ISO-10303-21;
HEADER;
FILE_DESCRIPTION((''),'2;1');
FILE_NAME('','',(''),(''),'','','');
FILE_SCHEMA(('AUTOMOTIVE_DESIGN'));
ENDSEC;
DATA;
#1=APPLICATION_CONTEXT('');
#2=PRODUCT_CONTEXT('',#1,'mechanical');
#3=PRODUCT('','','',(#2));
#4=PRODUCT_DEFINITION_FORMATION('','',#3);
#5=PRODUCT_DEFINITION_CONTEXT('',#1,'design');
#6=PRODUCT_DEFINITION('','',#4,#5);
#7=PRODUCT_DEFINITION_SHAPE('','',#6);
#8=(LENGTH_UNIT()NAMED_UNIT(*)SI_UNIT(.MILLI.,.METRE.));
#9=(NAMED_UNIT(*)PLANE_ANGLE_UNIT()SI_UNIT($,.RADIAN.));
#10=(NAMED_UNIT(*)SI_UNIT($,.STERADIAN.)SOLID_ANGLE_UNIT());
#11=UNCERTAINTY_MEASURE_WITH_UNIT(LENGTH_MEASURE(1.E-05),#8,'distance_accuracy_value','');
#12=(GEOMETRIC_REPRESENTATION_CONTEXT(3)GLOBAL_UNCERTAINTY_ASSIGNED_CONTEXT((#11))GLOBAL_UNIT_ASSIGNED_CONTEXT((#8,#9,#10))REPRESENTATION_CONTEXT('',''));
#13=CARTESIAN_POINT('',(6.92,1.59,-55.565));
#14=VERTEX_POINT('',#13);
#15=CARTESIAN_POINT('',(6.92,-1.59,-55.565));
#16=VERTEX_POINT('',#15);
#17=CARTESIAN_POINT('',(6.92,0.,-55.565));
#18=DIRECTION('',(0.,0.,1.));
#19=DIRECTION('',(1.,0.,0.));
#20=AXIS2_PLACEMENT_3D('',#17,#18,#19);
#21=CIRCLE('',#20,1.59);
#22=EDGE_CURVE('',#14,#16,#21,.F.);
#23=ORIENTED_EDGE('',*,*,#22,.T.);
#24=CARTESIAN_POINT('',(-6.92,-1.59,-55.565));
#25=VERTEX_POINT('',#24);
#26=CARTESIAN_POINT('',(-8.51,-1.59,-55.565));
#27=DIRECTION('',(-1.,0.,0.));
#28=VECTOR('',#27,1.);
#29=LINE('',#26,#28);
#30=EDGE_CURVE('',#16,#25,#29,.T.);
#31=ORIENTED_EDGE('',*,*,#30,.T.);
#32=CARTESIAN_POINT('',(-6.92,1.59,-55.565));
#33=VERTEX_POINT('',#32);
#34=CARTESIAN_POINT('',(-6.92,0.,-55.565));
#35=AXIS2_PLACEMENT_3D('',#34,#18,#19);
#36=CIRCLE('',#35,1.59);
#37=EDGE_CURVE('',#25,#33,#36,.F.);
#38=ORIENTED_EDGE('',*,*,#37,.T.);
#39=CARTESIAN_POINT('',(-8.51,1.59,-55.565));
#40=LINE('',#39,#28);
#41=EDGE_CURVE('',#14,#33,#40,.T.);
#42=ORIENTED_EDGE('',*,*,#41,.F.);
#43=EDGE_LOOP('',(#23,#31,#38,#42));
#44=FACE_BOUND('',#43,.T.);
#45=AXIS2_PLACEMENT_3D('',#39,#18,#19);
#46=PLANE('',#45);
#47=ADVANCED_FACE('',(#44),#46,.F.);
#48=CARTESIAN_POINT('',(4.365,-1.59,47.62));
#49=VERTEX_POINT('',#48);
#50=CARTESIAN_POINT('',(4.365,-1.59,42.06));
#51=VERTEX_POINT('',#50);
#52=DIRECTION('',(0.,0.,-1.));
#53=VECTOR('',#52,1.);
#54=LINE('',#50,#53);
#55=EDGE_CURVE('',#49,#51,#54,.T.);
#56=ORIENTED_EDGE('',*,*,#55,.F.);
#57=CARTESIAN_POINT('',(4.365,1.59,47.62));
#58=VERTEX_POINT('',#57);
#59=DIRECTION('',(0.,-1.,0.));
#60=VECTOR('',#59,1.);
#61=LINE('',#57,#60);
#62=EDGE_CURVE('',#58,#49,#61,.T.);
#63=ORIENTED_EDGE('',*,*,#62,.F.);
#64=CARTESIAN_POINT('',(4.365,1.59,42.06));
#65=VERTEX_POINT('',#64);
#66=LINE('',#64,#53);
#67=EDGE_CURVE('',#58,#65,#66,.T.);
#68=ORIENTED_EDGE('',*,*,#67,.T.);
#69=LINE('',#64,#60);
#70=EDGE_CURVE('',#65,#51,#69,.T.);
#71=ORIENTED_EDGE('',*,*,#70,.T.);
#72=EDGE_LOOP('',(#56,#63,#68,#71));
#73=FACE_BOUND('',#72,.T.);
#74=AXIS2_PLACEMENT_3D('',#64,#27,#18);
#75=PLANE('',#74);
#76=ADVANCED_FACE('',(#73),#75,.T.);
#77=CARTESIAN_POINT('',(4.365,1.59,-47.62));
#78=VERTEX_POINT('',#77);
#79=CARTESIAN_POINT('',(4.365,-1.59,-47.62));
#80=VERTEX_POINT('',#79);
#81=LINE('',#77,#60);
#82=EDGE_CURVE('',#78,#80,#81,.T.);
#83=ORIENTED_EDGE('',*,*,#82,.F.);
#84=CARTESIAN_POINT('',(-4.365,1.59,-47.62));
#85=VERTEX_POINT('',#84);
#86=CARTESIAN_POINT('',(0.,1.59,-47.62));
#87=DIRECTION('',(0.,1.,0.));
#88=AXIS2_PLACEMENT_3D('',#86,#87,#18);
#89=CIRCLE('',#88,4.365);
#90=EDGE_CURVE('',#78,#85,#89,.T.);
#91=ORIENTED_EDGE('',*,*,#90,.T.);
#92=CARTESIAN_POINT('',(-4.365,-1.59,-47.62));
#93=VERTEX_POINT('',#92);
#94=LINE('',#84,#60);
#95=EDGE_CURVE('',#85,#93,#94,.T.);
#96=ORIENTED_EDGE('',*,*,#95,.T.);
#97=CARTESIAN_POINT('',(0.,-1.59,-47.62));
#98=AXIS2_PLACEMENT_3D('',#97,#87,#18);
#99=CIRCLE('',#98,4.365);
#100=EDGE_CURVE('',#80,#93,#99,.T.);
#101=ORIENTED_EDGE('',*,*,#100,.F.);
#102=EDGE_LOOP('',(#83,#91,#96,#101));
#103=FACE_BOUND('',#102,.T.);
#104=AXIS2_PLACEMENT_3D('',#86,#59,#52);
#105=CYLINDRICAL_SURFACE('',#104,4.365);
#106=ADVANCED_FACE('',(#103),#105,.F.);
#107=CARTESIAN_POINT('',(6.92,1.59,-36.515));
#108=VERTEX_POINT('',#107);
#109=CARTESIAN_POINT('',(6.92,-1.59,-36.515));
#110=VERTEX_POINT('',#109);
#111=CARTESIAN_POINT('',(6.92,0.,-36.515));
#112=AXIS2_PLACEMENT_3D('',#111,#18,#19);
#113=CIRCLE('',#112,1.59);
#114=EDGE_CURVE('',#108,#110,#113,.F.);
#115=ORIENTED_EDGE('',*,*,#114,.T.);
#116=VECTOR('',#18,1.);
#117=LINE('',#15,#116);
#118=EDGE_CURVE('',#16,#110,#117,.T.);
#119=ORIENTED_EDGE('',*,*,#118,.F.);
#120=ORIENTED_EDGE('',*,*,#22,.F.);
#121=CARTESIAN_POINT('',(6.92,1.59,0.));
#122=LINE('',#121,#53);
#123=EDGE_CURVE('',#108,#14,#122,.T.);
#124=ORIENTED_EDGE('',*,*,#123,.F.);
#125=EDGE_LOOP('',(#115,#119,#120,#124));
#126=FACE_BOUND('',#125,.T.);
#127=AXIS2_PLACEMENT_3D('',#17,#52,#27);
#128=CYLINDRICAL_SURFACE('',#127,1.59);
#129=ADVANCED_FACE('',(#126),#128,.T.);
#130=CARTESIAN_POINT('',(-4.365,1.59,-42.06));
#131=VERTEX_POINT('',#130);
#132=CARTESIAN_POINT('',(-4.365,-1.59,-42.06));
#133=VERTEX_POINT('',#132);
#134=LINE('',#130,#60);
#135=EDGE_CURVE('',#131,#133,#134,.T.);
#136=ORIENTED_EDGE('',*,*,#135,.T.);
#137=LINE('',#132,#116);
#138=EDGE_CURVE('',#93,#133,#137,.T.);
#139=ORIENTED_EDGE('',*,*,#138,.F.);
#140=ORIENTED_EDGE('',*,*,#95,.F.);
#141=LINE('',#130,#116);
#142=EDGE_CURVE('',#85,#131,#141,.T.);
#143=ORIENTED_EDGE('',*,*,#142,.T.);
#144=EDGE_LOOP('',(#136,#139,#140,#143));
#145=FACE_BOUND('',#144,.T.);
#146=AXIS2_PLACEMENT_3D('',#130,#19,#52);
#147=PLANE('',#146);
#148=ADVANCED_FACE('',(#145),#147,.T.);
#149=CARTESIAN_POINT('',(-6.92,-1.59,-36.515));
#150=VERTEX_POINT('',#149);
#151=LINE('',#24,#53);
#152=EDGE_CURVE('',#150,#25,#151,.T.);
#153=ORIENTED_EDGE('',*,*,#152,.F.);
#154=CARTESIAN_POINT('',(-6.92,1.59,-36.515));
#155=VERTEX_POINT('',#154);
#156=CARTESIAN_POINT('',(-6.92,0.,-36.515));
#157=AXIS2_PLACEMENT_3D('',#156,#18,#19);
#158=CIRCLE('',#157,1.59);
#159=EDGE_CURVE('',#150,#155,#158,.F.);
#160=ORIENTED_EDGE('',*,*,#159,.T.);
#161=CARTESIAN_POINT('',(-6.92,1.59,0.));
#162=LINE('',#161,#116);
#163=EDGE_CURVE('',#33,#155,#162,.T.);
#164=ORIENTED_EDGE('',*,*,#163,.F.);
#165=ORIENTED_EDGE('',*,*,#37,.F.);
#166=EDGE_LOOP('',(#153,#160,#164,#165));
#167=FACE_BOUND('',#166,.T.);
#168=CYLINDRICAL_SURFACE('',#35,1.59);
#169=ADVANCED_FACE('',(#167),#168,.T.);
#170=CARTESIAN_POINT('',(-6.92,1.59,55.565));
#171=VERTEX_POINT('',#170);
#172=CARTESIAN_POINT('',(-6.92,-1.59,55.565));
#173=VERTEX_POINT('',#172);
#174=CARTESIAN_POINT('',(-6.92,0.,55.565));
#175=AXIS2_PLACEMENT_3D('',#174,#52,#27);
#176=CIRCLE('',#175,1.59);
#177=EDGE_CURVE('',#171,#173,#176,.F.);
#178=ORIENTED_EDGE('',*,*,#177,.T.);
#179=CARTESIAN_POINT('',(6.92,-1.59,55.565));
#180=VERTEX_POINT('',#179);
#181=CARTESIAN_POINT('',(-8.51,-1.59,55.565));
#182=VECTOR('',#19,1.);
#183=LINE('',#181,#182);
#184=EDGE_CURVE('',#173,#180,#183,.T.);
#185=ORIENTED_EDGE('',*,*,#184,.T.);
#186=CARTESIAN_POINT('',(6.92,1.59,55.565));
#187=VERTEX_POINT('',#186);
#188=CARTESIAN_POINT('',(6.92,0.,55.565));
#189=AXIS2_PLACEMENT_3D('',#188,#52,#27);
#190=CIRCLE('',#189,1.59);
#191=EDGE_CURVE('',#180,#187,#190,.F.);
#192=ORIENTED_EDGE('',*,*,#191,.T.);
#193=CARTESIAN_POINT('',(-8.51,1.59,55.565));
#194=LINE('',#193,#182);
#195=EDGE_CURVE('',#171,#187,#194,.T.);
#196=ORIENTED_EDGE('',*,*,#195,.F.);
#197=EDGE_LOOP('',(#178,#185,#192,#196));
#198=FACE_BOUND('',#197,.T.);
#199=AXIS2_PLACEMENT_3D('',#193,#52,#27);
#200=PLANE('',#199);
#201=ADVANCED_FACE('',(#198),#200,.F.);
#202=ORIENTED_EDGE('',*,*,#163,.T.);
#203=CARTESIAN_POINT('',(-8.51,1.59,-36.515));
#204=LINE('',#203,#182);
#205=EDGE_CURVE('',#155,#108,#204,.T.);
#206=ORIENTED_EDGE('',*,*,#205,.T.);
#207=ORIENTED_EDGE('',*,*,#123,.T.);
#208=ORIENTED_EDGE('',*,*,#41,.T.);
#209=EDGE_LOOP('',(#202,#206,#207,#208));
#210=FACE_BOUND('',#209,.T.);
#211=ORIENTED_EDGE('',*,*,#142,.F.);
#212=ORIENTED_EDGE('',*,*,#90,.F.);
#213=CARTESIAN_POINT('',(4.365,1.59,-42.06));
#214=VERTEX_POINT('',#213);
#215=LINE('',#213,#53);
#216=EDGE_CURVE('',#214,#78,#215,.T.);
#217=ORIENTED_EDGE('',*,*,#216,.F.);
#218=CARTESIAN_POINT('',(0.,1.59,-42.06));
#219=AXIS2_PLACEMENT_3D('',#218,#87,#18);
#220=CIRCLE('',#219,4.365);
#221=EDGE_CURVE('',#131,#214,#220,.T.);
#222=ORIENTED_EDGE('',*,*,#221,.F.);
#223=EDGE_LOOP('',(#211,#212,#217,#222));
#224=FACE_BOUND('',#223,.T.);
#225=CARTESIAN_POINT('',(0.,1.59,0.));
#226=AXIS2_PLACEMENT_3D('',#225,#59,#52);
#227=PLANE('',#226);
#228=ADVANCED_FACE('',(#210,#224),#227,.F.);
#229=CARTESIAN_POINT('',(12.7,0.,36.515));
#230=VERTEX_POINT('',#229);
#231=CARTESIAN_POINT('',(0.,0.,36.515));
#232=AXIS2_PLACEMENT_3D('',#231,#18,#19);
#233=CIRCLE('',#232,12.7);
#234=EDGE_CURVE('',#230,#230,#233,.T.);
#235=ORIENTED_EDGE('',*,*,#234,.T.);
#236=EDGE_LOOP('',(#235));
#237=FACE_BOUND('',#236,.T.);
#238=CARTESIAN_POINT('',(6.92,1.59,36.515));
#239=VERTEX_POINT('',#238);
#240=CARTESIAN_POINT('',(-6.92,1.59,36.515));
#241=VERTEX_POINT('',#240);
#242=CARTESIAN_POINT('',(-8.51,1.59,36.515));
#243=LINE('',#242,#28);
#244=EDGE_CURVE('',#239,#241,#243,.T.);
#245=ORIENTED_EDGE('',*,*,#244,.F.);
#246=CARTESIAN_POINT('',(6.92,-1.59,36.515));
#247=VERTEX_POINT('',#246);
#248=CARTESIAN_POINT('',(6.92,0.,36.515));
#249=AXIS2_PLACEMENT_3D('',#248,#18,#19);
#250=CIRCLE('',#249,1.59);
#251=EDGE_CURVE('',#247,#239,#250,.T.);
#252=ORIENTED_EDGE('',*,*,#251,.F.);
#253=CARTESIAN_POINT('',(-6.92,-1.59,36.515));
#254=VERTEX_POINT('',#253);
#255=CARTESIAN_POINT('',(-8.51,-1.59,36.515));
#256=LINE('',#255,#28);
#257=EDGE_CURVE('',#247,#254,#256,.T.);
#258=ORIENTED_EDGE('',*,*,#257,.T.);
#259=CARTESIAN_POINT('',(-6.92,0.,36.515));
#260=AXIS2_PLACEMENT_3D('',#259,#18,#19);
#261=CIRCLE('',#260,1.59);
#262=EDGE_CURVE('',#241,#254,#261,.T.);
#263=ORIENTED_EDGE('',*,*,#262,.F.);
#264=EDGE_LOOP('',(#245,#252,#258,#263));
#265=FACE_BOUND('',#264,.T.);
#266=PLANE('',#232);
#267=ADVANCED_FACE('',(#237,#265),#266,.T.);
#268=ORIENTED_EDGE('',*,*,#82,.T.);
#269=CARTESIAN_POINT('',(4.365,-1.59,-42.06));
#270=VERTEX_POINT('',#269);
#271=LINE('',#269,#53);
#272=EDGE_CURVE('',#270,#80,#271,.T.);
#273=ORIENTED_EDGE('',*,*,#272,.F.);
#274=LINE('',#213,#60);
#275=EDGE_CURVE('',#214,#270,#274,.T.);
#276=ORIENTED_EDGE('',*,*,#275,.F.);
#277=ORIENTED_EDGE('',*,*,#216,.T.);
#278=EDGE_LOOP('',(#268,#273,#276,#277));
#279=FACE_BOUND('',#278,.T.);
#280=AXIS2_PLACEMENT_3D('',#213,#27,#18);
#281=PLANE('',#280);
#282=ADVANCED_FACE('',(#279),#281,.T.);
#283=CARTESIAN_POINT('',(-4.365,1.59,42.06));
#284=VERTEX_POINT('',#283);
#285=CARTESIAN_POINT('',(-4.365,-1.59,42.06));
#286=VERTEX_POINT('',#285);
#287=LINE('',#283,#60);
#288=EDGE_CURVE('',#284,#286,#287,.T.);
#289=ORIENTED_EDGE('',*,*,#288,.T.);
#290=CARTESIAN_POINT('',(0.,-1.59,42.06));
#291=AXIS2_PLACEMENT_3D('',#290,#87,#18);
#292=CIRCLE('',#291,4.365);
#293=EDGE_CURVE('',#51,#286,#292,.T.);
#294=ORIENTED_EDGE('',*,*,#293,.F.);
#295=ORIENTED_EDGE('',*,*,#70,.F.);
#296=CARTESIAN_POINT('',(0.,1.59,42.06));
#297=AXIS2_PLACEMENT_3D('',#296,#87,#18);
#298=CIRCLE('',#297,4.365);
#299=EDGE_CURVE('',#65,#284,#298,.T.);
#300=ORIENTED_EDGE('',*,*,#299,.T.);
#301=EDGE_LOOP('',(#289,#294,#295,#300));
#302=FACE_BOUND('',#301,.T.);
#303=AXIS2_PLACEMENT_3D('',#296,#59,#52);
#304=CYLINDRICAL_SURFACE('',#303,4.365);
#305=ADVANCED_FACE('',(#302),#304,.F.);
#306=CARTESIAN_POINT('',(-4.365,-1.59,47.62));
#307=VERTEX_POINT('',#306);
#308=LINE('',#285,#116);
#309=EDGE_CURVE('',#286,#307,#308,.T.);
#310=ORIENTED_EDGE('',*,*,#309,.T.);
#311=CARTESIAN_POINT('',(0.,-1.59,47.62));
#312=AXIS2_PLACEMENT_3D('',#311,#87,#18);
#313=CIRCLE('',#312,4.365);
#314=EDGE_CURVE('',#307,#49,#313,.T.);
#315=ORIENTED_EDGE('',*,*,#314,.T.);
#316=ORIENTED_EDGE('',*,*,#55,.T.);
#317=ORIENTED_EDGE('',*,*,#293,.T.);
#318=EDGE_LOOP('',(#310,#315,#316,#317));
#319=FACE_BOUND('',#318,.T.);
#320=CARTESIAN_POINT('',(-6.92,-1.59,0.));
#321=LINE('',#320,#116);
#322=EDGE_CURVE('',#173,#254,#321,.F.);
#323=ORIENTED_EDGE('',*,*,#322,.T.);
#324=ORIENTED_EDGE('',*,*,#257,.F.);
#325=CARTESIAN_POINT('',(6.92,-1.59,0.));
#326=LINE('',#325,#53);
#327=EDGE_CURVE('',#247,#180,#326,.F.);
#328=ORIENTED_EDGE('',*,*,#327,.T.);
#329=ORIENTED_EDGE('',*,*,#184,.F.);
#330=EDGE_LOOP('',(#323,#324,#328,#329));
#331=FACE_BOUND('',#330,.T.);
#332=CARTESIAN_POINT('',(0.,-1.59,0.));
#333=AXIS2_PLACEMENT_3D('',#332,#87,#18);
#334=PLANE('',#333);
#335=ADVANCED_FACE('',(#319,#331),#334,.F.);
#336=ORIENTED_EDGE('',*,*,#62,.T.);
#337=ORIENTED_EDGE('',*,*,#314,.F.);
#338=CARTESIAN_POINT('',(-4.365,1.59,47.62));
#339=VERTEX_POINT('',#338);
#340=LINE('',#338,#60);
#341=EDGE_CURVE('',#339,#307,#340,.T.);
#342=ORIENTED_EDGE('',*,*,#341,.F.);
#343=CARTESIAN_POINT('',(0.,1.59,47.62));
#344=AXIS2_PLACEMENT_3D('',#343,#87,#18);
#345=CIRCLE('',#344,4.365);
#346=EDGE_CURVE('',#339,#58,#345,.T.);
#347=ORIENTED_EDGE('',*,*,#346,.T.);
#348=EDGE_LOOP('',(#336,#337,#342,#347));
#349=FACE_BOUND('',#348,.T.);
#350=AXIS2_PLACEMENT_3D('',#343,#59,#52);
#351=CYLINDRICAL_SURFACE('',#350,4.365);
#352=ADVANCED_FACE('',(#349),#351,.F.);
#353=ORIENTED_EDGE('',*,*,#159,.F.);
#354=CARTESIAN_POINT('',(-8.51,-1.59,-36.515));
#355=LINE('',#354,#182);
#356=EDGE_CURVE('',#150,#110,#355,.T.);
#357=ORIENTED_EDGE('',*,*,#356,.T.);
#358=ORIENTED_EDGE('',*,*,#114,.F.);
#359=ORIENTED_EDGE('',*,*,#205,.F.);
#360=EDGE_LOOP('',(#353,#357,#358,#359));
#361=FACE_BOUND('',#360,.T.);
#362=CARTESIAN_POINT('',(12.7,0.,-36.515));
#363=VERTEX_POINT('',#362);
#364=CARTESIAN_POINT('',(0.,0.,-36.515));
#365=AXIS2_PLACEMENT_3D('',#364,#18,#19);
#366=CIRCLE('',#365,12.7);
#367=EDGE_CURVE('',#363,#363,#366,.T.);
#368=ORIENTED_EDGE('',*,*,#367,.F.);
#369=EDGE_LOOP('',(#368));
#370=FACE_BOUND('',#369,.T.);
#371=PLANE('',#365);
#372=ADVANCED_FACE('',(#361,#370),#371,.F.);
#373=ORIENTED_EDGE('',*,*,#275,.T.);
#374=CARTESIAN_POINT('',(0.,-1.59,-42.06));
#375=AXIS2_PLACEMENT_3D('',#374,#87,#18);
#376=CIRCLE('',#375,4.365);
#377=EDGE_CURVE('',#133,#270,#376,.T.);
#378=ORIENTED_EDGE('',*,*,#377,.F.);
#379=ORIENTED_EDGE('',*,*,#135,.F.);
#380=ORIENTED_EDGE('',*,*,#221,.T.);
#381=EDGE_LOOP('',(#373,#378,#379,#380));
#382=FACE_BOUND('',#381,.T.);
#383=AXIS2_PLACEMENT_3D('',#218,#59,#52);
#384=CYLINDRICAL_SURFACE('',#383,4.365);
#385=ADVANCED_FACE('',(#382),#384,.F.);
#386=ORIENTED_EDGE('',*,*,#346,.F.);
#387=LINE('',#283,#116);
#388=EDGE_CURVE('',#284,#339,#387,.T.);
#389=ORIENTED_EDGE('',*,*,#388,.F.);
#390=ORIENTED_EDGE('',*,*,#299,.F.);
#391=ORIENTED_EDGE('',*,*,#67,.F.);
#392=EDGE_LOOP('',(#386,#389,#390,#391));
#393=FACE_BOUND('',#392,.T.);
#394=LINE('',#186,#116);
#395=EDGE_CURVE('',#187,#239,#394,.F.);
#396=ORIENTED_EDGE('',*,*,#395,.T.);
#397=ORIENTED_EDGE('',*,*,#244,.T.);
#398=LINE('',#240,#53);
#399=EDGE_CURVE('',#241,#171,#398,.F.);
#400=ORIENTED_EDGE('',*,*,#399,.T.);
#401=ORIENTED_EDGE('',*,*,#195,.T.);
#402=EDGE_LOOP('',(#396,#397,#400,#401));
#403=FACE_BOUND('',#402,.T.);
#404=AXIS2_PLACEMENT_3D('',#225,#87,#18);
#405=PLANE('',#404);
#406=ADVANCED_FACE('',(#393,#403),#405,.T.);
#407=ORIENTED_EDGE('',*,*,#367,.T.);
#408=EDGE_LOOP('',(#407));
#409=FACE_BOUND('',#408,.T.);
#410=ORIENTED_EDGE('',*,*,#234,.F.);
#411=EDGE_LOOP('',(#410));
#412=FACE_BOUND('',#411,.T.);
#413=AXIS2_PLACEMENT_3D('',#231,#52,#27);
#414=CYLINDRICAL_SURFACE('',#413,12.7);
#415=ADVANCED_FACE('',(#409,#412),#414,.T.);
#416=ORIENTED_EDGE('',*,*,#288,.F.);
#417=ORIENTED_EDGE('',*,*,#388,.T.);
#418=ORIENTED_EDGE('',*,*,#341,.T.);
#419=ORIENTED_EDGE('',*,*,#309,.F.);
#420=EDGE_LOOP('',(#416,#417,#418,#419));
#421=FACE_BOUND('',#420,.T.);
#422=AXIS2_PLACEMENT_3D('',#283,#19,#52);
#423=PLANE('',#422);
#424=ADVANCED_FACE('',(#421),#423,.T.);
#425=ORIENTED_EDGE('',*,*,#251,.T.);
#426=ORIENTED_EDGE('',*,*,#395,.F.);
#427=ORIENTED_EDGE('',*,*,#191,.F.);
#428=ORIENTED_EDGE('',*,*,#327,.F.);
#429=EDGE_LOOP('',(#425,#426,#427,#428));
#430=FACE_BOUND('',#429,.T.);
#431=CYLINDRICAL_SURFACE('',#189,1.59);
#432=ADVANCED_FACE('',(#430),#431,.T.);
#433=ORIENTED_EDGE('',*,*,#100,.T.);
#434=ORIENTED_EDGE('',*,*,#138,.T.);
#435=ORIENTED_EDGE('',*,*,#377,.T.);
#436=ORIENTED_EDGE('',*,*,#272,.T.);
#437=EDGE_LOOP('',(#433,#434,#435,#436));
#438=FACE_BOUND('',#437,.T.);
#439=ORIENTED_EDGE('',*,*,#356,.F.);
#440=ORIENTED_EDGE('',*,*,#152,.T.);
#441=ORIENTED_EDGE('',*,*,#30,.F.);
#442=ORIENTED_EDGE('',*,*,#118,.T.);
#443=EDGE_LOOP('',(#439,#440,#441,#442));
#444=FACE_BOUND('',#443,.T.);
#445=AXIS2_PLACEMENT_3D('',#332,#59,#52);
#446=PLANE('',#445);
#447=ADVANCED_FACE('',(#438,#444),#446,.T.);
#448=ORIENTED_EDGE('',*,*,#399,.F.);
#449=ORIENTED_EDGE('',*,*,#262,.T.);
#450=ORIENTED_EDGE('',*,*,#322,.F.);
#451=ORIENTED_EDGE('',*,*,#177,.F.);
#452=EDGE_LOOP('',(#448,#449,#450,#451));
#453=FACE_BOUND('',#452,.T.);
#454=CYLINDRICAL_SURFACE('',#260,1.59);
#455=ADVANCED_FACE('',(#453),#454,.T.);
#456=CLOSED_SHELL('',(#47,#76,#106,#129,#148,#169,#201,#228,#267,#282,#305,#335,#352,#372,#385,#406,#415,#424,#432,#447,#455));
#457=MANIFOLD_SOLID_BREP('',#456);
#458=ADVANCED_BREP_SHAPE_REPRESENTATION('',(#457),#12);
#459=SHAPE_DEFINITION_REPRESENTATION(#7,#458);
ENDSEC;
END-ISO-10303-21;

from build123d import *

# Parameters (mm, degrees)
SKETCH1_R           = 12.7
BOSS_EXTRUDE1_DEPTH = 36.515
SKETCH2_W           = 17.02
SKETCH2_H           = 19.05
BOSS_EXTRUDE2_DEPTH = 1.59
FILLET1_RADIUS      = 1.59
FILLET1_LENGTH      = 19.05
FILLET2_RADIUS      = 1.59
FILLET2_LENGTH      = 19.05
FILLET3_RADIUS      = 1.59
FILLET3_LENGTH      = 19.05
FILLET4_RADIUS      = 1.59
FILLET4_LENGTH      = 19.05


with BuildPart() as part:
    # Sketch1 → Boss-Extrude1 (new, symmetric)
    with BuildSketch(Plane.XY):
        Circle(SKETCH1_R)
    extrude(amount=BOSS_EXTRUDE1_DEPTH, both=True)

    # Sketch2 → Boss-Extrude2 (add, symmetric)
    # profile 1 of 2: a face of its own
    with BuildSketch(Plane(origin=(0, 0, 0), x_dir=(1, 0, 0), z_dir=(0, 1, 0))):
        with Locations((0, 46.04)):
            Rectangle(SKETCH2_W, SKETCH2_H)
        with BuildLine():
            Line((-4.365, 42.06), (-4.365, 47.62))
            ThreePointArc((-4.365, 47.62), (0, 51.985), (4.365, 47.62))
            Line((4.365, 47.62), (4.365, 42.06))
            ThreePointArc((4.365, 42.06), (0, 37.695), (-4.365, 42.06))
        make_face(mode=Mode.SUBTRACT)
    # profile 2 of 2: a face of its own
    with BuildSketch(Plane(origin=(0, 0, 0), x_dir=(1, 0, 0), z_dir=(0, 1, 0))):
        with Locations((0, -46.04)):
            Rectangle(SKETCH2_W, SKETCH2_H)
        with BuildLine():
            Line((4.365, -42.06), (4.365, -47.62))
            ThreePointArc((4.365, -47.62), (0, -51.985), (-4.365, -47.62))
            Line((-4.365, -47.62), (-4.365, -42.06))
            ThreePointArc((-4.365, -42.06), (0, -37.695), (4.365, -42.06))
        make_face(mode=Mode.SUBTRACT)
    extrude(amount=BOSS_EXTRUDE2_DEPTH, both=True)

    # Fillet1: full round fillet: the end face becomes a half cylinder, R = half its width
    fillet1_face = Plane((-8.51, 0, -46.04), x_dir=(0, 0, 1), z_dir=(-1, 0, 0))  # on the end face: x along it, z out of the body
    fillet1_slab = fillet1_face.offset(-FILLET1_RADIUS / 2) * Box(FILLET1_LENGTH, 2 * FILLET1_RADIUS, FILLET1_RADIUS, mode=Mode.PRIVATE)  # the body's end, R deep
    fillet1_round = Plane((-6.92, 0, -46.04), x_dir=(-1, 0, 0), z_dir=(0, 0, 1)) * Cylinder(FILLET1_RADIUS, FILLET1_LENGTH, mode=Mode.PRIVATE)  # its axis R under the face
    add(fillet1_slab - fillet1_round, mode=Mode.SUBTRACT)

    # Fillet2: full round fillet: the end face becomes a half cylinder, R = half its width
    fillet2_face = Plane((8.51, 0, -46.04), x_dir=(0, 0, -1), z_dir=(1, 0, 0))  # on the end face: x along it, z out of the body
    fillet2_slab = fillet2_face.offset(-FILLET2_RADIUS / 2) * Box(FILLET2_LENGTH, 2 * FILLET2_RADIUS, FILLET2_RADIUS, mode=Mode.PRIVATE)  # the body's end, R deep
    fillet2_round = Plane((6.92, 0, -46.04), x_dir=(1, 0, 0), z_dir=(0, 0, -1)) * Cylinder(FILLET2_RADIUS, FILLET2_LENGTH, mode=Mode.PRIVATE)  # its axis R under the face
    add(fillet2_slab - fillet2_round, mode=Mode.SUBTRACT)

    # Fillet3: full round fillet: the end face becomes a half cylinder, R = half its width
    fillet3_face = Plane((8.51, 0, 46.04), x_dir=(0, 0, 1), z_dir=(1, 0, 0))  # on the end face: x along it, z out of the body
    fillet3_slab = fillet3_face.offset(-FILLET3_RADIUS / 2) * Box(FILLET3_LENGTH, 2 * FILLET3_RADIUS, FILLET3_RADIUS, mode=Mode.PRIVATE)  # the body's end, R deep
    fillet3_round = Plane((6.92, 0, 46.04), x_dir=(1, 0, 0), z_dir=(0, 0, 1)) * Cylinder(FILLET3_RADIUS, FILLET3_LENGTH, mode=Mode.PRIVATE)  # its axis R under the face
    add(fillet3_slab - fillet3_round, mode=Mode.SUBTRACT)

    # Fillet4: full round fillet: the end face becomes a half cylinder, R = half its width
    fillet4_face = Plane((-8.51, 0, 46.04), x_dir=(0, 0, -1), z_dir=(-1, 0, 0))  # on the end face: x along it, z out of the body
    fillet4_slab = fillet4_face.offset(-FILLET4_RADIUS / 2) * Box(FILLET4_LENGTH, 2 * FILLET4_RADIUS, FILLET4_RADIUS, mode=Mode.PRIVATE)  # the body's end, R deep
    fillet4_round = Plane((-6.92, 0, 46.04), x_dir=(-1, 0, 0), z_dir=(0, 0, -1)) * Cylinder(FILLET4_RADIUS, FILLET4_LENGTH, mode=Mode.PRIVATE)  # its axis R under the face
    add(fillet4_slab - fillet4_round, mode=Mode.SUBTRACT)


solid = part.part
